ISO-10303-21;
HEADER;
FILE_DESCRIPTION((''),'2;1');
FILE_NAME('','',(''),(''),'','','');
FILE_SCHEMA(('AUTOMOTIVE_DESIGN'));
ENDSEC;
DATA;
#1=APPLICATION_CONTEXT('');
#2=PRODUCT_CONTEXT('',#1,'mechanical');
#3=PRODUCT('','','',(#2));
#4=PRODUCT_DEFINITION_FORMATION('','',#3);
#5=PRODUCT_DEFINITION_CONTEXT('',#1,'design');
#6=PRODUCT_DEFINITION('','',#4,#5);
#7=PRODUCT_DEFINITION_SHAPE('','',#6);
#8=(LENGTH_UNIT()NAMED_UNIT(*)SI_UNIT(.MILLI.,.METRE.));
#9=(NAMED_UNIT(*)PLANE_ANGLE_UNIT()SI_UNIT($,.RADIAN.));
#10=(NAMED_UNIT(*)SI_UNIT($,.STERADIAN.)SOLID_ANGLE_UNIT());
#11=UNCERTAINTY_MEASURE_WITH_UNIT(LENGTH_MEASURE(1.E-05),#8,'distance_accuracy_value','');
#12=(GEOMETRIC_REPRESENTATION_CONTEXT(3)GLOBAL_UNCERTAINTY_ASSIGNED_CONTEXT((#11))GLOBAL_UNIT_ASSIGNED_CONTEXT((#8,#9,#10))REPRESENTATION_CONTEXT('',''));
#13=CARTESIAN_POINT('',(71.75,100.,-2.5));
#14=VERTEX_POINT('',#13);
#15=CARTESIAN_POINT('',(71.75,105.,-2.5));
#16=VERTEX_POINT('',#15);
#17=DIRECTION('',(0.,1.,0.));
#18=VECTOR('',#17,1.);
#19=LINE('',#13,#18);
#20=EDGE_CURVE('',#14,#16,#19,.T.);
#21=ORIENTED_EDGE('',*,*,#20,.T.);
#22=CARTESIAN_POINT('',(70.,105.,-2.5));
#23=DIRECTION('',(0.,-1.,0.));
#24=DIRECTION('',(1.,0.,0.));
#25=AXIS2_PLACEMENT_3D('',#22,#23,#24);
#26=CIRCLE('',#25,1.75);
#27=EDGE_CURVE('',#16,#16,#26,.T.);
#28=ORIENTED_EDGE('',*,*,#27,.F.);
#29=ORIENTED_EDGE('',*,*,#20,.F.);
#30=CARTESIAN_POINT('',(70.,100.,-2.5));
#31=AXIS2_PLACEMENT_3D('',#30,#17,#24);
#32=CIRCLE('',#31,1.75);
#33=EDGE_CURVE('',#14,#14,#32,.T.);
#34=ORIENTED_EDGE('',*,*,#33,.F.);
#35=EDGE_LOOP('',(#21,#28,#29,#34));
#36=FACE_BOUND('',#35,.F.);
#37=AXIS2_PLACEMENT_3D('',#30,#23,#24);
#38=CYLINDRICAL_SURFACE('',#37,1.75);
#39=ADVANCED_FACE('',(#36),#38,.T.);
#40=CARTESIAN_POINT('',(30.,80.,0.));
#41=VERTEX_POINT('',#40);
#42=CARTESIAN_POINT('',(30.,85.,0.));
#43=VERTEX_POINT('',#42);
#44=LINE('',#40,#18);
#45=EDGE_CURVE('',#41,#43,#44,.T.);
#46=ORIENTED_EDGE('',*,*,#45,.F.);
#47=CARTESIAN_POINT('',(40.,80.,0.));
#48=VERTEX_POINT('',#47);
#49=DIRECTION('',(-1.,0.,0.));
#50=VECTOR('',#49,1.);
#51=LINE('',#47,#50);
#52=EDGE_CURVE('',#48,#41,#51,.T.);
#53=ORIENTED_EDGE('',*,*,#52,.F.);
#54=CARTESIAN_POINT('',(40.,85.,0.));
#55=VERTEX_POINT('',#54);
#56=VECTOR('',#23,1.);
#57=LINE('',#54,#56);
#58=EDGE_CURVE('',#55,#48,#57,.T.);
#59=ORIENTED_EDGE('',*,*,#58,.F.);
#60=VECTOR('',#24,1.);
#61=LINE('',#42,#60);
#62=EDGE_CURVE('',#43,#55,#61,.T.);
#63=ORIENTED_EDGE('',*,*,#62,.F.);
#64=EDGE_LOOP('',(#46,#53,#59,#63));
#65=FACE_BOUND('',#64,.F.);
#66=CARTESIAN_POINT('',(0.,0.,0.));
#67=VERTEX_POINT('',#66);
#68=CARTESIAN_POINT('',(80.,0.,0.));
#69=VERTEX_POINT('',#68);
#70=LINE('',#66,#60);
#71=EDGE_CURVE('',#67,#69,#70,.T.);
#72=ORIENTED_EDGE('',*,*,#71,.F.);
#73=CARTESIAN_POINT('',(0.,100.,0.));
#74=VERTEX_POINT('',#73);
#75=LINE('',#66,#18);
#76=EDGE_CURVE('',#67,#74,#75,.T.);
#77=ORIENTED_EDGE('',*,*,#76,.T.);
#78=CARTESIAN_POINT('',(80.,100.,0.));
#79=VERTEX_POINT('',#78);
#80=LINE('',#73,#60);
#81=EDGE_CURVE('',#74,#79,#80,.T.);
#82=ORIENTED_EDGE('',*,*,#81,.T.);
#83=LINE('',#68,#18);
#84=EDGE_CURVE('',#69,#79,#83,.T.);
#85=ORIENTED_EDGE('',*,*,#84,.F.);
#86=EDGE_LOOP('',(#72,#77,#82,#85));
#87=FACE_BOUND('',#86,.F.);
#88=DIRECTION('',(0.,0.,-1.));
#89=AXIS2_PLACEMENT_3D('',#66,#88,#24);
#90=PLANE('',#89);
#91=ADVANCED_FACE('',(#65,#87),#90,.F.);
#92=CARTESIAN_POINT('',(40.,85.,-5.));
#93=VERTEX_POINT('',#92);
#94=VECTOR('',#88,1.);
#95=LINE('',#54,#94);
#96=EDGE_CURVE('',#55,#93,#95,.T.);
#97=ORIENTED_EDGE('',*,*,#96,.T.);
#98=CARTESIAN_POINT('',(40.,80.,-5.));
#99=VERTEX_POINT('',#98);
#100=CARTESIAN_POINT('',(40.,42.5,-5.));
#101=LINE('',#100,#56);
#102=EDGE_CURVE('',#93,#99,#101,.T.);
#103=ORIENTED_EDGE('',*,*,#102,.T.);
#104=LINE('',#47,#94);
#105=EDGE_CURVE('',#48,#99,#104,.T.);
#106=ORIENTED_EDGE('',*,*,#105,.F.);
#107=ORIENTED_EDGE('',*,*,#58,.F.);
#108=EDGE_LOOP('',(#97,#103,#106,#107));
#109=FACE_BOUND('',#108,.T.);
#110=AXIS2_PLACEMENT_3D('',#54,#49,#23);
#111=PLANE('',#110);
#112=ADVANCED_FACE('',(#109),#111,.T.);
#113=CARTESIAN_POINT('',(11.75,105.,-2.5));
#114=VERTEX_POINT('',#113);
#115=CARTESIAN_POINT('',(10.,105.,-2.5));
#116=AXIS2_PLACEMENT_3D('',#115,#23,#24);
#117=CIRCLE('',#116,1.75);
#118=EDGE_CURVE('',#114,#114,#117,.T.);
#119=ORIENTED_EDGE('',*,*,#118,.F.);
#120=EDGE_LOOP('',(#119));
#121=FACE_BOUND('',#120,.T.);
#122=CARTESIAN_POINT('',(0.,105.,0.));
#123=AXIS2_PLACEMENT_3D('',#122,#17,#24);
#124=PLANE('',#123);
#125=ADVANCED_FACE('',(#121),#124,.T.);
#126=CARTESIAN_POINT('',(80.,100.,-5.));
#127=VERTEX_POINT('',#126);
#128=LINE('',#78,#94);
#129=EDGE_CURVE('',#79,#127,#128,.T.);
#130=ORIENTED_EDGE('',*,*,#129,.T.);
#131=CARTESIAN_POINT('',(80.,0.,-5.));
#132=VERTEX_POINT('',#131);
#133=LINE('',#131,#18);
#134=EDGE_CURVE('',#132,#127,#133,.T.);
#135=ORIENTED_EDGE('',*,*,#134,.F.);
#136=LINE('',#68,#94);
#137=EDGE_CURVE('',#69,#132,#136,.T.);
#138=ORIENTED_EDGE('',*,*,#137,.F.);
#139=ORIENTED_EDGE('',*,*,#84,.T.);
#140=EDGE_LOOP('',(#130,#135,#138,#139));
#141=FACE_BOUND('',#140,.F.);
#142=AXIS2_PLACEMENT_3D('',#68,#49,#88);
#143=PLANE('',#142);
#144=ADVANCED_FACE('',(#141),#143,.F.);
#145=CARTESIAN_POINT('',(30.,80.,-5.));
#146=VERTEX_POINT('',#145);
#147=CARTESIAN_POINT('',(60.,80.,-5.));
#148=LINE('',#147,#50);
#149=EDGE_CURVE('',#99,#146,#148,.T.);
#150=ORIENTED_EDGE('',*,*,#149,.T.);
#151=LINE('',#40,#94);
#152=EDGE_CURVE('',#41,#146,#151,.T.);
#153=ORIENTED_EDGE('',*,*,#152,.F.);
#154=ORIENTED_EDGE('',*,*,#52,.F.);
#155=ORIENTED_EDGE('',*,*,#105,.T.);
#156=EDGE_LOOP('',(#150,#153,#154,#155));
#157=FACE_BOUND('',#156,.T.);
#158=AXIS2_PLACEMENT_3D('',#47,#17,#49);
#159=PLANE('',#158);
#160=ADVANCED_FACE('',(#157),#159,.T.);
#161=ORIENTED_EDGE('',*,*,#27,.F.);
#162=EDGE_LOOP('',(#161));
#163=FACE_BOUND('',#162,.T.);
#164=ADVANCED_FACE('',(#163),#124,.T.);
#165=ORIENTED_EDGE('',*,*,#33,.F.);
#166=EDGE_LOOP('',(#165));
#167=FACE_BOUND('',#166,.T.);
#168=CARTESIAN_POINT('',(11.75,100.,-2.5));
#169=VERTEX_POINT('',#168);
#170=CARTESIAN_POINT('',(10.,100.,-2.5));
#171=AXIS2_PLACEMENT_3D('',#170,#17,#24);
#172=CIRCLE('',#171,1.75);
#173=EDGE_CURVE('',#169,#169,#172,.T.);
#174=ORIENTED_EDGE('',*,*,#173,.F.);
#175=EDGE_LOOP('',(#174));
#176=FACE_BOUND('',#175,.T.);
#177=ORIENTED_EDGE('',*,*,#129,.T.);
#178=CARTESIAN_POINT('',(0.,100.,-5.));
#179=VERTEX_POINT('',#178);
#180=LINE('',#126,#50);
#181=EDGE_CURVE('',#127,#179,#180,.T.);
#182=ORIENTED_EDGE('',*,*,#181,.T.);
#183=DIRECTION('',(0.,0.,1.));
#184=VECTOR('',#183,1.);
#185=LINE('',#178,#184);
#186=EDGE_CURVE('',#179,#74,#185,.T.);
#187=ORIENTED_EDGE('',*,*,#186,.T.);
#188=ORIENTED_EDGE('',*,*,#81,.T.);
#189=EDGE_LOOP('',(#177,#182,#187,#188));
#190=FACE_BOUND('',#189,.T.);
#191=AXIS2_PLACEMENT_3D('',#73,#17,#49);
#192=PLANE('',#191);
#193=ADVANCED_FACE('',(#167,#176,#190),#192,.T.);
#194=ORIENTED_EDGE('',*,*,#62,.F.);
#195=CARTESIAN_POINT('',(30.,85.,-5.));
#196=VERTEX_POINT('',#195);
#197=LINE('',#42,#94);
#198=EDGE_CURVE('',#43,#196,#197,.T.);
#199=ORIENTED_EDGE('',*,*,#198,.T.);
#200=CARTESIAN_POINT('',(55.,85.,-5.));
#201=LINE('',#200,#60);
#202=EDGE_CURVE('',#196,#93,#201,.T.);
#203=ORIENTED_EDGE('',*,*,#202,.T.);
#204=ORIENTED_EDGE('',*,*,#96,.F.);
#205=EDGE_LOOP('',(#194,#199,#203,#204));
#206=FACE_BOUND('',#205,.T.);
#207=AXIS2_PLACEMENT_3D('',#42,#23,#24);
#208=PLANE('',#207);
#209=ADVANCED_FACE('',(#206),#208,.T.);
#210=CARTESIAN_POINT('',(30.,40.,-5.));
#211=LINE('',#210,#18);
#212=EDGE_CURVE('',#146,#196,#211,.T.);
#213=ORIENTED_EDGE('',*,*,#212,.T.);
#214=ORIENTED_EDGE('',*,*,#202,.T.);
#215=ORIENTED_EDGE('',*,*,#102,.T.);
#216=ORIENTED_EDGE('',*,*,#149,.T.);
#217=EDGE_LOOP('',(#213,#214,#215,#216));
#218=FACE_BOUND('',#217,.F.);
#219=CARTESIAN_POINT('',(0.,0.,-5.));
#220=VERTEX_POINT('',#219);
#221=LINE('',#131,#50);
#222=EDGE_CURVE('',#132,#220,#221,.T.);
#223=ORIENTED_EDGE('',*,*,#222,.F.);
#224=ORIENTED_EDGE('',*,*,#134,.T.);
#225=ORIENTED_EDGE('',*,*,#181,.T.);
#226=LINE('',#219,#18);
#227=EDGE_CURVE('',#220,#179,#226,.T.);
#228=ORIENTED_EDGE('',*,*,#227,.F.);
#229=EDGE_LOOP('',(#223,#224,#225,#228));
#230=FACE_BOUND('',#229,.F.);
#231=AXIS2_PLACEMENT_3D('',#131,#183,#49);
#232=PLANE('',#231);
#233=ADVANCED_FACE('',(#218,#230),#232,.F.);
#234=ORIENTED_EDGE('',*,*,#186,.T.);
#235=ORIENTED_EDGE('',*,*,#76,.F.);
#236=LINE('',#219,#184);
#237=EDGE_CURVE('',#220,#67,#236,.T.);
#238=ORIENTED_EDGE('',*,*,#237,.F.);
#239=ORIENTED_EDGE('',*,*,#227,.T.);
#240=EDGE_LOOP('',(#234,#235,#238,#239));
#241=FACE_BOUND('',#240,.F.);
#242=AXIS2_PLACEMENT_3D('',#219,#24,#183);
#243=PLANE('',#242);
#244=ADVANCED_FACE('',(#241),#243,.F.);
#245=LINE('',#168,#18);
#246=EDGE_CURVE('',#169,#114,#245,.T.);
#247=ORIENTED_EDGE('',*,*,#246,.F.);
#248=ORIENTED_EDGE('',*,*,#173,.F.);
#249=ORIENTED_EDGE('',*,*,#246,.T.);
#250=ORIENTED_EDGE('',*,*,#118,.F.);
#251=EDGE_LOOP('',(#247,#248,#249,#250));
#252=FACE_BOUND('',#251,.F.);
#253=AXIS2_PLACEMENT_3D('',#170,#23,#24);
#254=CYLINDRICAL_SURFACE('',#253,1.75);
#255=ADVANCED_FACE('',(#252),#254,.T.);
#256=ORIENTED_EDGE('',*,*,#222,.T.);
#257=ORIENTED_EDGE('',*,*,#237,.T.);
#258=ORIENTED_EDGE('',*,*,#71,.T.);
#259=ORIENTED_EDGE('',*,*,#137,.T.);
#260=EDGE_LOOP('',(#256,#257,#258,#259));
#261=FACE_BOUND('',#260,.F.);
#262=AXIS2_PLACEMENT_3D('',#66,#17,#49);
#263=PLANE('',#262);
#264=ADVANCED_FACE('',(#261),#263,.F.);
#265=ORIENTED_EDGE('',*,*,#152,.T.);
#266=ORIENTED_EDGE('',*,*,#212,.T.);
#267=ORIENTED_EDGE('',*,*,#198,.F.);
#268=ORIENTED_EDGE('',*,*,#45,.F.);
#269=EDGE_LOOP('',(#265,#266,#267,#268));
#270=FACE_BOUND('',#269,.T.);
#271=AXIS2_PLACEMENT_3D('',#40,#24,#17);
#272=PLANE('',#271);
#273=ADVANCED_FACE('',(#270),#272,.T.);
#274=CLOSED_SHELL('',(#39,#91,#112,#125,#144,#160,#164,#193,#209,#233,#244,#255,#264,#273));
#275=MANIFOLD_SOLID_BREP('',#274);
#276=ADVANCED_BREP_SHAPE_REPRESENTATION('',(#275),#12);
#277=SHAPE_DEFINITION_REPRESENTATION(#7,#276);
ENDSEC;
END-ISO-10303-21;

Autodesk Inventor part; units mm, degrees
ref_plane "YZ Plane" through (0, 0, 0) normal (1, 0, 0) x (0, 1, 0)
ref_plane "XZ Plane" through (0, 0, 0) normal (0, 1, 0) x (-1, 0, 0)
ref_plane "XY Plane" through (0, 0, 0) normal (0, 0, 1) x (1, 0, 0)
sketch "Sketch1" plane through (0, 0, 0) normal (0, 1, 0) x (-1, 0, 0)
  line L0 (0, 0) -> (-80, 0)
  line L1 (-80, 0) -> (-80, -5)
  line L2 (-80, -5) -> (0, -5)
  line L3 (0, -5) -> (0, 0)
  dimension "d0" = 80
  dimension "d1" = 5
extrude "Extrusion1" add sketch "Sketch1" along normal blind 100
sketch "Sketch2" plane through (0, 100, 0) normal (0, 1, 0) x (1, 0, 0)
  line L0 (0, 0) -> (10, 0)
  line L1 (10, 0) -> (10, 2.5)
  line L2 (10, 2.5) -> (0, 2.5)
  line L3 (0, 2.5) -> (0, 0)
  circle A0 centre (10, 2.5) radius 1.75
  dimension "d4" = 10
  dimension "d5" = 2.5
  dimension "d6" = 3.5
extrude "Extrusion2" add sketch "Sketch2" along normal blind 5 contours A0 L2 L1 | L1 L2 A0
sketch "Sketch3" plane through (0, 100, 0) normal (0, 1, 0) x (1, 0, 0)
  line L0 (80, 5) -> (0, 5) projected
  line L1 (80, 5) -> (70, 5)
  line L2 (70, 5) -> (70, 2.5)
  line L3 (70, 2.5) -> (80, 2.5)
  line L4 (80, 2.5) -> (80, 5)
  circle A0 centre (70, 2.5) radius 1.75
  point P0 (0, 0)
  dimension "d9" = 10
  dimension "d10" = 2.5
  dimension "d11" = 3.5
extrude "Extrusion3" add sketch "Sketch3" along normal blind 5 contours A0 L3 L2 | L2 L3 A0
sketch "Sketch4" plane through (0, 0, 0) normal (0, 0, 1) x (1, 0, 0)
  line L0 (0, 0) -> (80, 0) projected
  line L1 (80, 0) -> (40, 0)
  line L2 (40, 0) -> (40, 80)
  line L3 (40, 80) -> (80, 80)
  line L4 (80, 80) -> (80, 0)
  line L5 (40, 80) -> (30, 80)
  line L6 (30, 80) -> (30, 85)
  line L7 (30, 85) -> (40, 85)
  line L8 (40, 85) -> (40, 80)
  dimension "d14" = 40
  dimension "d15" = 80
  dimension "d16" = 10
  dimension "d17" = 5
extrude "Extrusion4" cut sketch "Sketch4" against normal blind 10 contours L5 L6 L7 L8
properties part number "expo4"
